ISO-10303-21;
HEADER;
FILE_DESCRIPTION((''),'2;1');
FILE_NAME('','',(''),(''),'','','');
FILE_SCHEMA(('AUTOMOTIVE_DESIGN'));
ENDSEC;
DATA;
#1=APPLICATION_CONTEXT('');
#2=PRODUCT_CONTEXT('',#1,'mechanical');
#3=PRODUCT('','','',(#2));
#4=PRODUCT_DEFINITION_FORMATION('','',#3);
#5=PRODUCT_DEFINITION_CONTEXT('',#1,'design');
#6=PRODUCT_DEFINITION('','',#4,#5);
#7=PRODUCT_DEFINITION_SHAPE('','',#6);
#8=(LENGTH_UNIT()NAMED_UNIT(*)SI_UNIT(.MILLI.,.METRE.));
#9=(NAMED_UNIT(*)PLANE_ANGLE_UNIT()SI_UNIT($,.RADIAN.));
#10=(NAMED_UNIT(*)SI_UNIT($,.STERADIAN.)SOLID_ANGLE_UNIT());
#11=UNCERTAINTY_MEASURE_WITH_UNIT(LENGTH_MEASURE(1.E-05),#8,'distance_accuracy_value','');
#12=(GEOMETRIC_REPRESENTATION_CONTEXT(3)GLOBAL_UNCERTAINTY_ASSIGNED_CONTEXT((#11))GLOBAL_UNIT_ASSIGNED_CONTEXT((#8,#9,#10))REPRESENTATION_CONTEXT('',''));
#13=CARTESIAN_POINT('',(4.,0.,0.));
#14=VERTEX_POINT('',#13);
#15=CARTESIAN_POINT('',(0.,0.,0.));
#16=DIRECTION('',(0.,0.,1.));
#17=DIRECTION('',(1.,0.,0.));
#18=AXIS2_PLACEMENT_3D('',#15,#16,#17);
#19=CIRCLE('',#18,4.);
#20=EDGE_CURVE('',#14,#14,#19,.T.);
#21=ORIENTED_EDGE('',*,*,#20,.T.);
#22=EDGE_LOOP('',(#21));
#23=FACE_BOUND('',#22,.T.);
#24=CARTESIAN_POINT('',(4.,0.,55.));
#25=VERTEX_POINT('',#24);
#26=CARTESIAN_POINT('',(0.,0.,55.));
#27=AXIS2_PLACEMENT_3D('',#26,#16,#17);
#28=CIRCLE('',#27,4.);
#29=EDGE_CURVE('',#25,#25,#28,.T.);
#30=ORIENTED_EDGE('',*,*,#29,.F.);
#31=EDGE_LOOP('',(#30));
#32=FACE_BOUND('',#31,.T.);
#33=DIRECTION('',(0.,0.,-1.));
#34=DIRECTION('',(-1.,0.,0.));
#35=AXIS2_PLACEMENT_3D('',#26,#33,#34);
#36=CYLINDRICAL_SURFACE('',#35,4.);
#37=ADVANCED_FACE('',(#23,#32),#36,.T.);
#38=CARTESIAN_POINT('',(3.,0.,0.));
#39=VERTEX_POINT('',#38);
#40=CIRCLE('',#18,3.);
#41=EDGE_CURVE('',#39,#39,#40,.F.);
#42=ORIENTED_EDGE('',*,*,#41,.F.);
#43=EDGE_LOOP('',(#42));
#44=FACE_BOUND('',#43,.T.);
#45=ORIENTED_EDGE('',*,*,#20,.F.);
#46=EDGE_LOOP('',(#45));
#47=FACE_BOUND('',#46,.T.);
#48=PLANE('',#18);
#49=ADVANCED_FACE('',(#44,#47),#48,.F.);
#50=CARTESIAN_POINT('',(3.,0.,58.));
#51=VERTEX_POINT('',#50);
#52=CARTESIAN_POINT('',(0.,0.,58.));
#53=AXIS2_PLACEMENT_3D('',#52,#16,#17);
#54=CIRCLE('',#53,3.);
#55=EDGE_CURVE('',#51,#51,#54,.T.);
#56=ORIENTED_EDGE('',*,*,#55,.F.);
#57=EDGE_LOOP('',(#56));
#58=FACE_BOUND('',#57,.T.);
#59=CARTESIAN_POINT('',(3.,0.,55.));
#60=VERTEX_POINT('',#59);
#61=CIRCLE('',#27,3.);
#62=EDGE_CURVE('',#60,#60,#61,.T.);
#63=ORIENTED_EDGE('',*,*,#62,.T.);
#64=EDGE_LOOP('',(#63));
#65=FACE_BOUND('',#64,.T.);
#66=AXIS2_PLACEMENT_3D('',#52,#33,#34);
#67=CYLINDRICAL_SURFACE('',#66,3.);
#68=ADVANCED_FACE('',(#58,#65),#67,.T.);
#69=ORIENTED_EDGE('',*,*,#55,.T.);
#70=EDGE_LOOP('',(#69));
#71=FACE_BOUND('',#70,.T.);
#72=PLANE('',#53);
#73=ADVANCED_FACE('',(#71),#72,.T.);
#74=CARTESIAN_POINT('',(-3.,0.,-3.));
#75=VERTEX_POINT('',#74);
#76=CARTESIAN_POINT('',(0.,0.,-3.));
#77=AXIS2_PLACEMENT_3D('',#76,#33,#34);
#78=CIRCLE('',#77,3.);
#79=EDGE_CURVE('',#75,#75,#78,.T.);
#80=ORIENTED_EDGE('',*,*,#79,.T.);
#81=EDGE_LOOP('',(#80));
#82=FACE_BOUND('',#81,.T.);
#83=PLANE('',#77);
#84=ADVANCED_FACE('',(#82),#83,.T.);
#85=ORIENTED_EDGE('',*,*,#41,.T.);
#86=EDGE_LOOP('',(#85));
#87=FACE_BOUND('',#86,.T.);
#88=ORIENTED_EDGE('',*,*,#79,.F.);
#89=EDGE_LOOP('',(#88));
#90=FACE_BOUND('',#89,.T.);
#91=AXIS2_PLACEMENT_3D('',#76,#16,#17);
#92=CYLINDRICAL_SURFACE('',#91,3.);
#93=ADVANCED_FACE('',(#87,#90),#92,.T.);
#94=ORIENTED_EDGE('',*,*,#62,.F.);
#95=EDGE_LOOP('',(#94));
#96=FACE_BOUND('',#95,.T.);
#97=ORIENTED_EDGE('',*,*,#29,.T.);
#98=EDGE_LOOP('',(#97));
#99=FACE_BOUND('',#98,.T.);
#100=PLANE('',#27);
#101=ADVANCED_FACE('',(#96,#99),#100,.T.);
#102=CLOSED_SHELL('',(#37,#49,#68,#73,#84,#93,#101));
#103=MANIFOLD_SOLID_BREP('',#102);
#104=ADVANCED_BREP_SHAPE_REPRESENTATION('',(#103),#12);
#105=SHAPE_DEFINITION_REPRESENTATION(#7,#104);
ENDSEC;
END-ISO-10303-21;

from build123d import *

# Parameters (mm, degrees)
SKETCH_1_R      = 4
EXTRUDE_1_DEPTH = 55
SKETCH_2_R      = 3
EXTRUDE_2_DEPTH = 3
SKETCH_3_R      = 3
EXTRUDE_3_DEPTH = 3


with BuildPart() as part:
    # 草图1 → 凸台-拉伸1 (new body)
    with BuildSketch(Plane.XY):
        Circle(SKETCH_1_R)
    extrude(amount=EXTRUDE_1_DEPTH)

    # 草图2 → 凸台-拉伸2 (add)
    with BuildSketch(Plane.XY.offset(55)):
        Circle(SKETCH_2_R)
    extrude(amount=EXTRUDE_2_DEPTH)

    # 草图3 → 凸台-拉伸3 (add)
    with BuildSketch(Plane(origin=(0, 0, 0), x_dir=(-1, 0, 0), z_dir=(0, 0, -1))):
        Circle(SKETCH_3_R)
    extrude(amount=EXTRUDE_3_DEPTH)


solid = part.part
